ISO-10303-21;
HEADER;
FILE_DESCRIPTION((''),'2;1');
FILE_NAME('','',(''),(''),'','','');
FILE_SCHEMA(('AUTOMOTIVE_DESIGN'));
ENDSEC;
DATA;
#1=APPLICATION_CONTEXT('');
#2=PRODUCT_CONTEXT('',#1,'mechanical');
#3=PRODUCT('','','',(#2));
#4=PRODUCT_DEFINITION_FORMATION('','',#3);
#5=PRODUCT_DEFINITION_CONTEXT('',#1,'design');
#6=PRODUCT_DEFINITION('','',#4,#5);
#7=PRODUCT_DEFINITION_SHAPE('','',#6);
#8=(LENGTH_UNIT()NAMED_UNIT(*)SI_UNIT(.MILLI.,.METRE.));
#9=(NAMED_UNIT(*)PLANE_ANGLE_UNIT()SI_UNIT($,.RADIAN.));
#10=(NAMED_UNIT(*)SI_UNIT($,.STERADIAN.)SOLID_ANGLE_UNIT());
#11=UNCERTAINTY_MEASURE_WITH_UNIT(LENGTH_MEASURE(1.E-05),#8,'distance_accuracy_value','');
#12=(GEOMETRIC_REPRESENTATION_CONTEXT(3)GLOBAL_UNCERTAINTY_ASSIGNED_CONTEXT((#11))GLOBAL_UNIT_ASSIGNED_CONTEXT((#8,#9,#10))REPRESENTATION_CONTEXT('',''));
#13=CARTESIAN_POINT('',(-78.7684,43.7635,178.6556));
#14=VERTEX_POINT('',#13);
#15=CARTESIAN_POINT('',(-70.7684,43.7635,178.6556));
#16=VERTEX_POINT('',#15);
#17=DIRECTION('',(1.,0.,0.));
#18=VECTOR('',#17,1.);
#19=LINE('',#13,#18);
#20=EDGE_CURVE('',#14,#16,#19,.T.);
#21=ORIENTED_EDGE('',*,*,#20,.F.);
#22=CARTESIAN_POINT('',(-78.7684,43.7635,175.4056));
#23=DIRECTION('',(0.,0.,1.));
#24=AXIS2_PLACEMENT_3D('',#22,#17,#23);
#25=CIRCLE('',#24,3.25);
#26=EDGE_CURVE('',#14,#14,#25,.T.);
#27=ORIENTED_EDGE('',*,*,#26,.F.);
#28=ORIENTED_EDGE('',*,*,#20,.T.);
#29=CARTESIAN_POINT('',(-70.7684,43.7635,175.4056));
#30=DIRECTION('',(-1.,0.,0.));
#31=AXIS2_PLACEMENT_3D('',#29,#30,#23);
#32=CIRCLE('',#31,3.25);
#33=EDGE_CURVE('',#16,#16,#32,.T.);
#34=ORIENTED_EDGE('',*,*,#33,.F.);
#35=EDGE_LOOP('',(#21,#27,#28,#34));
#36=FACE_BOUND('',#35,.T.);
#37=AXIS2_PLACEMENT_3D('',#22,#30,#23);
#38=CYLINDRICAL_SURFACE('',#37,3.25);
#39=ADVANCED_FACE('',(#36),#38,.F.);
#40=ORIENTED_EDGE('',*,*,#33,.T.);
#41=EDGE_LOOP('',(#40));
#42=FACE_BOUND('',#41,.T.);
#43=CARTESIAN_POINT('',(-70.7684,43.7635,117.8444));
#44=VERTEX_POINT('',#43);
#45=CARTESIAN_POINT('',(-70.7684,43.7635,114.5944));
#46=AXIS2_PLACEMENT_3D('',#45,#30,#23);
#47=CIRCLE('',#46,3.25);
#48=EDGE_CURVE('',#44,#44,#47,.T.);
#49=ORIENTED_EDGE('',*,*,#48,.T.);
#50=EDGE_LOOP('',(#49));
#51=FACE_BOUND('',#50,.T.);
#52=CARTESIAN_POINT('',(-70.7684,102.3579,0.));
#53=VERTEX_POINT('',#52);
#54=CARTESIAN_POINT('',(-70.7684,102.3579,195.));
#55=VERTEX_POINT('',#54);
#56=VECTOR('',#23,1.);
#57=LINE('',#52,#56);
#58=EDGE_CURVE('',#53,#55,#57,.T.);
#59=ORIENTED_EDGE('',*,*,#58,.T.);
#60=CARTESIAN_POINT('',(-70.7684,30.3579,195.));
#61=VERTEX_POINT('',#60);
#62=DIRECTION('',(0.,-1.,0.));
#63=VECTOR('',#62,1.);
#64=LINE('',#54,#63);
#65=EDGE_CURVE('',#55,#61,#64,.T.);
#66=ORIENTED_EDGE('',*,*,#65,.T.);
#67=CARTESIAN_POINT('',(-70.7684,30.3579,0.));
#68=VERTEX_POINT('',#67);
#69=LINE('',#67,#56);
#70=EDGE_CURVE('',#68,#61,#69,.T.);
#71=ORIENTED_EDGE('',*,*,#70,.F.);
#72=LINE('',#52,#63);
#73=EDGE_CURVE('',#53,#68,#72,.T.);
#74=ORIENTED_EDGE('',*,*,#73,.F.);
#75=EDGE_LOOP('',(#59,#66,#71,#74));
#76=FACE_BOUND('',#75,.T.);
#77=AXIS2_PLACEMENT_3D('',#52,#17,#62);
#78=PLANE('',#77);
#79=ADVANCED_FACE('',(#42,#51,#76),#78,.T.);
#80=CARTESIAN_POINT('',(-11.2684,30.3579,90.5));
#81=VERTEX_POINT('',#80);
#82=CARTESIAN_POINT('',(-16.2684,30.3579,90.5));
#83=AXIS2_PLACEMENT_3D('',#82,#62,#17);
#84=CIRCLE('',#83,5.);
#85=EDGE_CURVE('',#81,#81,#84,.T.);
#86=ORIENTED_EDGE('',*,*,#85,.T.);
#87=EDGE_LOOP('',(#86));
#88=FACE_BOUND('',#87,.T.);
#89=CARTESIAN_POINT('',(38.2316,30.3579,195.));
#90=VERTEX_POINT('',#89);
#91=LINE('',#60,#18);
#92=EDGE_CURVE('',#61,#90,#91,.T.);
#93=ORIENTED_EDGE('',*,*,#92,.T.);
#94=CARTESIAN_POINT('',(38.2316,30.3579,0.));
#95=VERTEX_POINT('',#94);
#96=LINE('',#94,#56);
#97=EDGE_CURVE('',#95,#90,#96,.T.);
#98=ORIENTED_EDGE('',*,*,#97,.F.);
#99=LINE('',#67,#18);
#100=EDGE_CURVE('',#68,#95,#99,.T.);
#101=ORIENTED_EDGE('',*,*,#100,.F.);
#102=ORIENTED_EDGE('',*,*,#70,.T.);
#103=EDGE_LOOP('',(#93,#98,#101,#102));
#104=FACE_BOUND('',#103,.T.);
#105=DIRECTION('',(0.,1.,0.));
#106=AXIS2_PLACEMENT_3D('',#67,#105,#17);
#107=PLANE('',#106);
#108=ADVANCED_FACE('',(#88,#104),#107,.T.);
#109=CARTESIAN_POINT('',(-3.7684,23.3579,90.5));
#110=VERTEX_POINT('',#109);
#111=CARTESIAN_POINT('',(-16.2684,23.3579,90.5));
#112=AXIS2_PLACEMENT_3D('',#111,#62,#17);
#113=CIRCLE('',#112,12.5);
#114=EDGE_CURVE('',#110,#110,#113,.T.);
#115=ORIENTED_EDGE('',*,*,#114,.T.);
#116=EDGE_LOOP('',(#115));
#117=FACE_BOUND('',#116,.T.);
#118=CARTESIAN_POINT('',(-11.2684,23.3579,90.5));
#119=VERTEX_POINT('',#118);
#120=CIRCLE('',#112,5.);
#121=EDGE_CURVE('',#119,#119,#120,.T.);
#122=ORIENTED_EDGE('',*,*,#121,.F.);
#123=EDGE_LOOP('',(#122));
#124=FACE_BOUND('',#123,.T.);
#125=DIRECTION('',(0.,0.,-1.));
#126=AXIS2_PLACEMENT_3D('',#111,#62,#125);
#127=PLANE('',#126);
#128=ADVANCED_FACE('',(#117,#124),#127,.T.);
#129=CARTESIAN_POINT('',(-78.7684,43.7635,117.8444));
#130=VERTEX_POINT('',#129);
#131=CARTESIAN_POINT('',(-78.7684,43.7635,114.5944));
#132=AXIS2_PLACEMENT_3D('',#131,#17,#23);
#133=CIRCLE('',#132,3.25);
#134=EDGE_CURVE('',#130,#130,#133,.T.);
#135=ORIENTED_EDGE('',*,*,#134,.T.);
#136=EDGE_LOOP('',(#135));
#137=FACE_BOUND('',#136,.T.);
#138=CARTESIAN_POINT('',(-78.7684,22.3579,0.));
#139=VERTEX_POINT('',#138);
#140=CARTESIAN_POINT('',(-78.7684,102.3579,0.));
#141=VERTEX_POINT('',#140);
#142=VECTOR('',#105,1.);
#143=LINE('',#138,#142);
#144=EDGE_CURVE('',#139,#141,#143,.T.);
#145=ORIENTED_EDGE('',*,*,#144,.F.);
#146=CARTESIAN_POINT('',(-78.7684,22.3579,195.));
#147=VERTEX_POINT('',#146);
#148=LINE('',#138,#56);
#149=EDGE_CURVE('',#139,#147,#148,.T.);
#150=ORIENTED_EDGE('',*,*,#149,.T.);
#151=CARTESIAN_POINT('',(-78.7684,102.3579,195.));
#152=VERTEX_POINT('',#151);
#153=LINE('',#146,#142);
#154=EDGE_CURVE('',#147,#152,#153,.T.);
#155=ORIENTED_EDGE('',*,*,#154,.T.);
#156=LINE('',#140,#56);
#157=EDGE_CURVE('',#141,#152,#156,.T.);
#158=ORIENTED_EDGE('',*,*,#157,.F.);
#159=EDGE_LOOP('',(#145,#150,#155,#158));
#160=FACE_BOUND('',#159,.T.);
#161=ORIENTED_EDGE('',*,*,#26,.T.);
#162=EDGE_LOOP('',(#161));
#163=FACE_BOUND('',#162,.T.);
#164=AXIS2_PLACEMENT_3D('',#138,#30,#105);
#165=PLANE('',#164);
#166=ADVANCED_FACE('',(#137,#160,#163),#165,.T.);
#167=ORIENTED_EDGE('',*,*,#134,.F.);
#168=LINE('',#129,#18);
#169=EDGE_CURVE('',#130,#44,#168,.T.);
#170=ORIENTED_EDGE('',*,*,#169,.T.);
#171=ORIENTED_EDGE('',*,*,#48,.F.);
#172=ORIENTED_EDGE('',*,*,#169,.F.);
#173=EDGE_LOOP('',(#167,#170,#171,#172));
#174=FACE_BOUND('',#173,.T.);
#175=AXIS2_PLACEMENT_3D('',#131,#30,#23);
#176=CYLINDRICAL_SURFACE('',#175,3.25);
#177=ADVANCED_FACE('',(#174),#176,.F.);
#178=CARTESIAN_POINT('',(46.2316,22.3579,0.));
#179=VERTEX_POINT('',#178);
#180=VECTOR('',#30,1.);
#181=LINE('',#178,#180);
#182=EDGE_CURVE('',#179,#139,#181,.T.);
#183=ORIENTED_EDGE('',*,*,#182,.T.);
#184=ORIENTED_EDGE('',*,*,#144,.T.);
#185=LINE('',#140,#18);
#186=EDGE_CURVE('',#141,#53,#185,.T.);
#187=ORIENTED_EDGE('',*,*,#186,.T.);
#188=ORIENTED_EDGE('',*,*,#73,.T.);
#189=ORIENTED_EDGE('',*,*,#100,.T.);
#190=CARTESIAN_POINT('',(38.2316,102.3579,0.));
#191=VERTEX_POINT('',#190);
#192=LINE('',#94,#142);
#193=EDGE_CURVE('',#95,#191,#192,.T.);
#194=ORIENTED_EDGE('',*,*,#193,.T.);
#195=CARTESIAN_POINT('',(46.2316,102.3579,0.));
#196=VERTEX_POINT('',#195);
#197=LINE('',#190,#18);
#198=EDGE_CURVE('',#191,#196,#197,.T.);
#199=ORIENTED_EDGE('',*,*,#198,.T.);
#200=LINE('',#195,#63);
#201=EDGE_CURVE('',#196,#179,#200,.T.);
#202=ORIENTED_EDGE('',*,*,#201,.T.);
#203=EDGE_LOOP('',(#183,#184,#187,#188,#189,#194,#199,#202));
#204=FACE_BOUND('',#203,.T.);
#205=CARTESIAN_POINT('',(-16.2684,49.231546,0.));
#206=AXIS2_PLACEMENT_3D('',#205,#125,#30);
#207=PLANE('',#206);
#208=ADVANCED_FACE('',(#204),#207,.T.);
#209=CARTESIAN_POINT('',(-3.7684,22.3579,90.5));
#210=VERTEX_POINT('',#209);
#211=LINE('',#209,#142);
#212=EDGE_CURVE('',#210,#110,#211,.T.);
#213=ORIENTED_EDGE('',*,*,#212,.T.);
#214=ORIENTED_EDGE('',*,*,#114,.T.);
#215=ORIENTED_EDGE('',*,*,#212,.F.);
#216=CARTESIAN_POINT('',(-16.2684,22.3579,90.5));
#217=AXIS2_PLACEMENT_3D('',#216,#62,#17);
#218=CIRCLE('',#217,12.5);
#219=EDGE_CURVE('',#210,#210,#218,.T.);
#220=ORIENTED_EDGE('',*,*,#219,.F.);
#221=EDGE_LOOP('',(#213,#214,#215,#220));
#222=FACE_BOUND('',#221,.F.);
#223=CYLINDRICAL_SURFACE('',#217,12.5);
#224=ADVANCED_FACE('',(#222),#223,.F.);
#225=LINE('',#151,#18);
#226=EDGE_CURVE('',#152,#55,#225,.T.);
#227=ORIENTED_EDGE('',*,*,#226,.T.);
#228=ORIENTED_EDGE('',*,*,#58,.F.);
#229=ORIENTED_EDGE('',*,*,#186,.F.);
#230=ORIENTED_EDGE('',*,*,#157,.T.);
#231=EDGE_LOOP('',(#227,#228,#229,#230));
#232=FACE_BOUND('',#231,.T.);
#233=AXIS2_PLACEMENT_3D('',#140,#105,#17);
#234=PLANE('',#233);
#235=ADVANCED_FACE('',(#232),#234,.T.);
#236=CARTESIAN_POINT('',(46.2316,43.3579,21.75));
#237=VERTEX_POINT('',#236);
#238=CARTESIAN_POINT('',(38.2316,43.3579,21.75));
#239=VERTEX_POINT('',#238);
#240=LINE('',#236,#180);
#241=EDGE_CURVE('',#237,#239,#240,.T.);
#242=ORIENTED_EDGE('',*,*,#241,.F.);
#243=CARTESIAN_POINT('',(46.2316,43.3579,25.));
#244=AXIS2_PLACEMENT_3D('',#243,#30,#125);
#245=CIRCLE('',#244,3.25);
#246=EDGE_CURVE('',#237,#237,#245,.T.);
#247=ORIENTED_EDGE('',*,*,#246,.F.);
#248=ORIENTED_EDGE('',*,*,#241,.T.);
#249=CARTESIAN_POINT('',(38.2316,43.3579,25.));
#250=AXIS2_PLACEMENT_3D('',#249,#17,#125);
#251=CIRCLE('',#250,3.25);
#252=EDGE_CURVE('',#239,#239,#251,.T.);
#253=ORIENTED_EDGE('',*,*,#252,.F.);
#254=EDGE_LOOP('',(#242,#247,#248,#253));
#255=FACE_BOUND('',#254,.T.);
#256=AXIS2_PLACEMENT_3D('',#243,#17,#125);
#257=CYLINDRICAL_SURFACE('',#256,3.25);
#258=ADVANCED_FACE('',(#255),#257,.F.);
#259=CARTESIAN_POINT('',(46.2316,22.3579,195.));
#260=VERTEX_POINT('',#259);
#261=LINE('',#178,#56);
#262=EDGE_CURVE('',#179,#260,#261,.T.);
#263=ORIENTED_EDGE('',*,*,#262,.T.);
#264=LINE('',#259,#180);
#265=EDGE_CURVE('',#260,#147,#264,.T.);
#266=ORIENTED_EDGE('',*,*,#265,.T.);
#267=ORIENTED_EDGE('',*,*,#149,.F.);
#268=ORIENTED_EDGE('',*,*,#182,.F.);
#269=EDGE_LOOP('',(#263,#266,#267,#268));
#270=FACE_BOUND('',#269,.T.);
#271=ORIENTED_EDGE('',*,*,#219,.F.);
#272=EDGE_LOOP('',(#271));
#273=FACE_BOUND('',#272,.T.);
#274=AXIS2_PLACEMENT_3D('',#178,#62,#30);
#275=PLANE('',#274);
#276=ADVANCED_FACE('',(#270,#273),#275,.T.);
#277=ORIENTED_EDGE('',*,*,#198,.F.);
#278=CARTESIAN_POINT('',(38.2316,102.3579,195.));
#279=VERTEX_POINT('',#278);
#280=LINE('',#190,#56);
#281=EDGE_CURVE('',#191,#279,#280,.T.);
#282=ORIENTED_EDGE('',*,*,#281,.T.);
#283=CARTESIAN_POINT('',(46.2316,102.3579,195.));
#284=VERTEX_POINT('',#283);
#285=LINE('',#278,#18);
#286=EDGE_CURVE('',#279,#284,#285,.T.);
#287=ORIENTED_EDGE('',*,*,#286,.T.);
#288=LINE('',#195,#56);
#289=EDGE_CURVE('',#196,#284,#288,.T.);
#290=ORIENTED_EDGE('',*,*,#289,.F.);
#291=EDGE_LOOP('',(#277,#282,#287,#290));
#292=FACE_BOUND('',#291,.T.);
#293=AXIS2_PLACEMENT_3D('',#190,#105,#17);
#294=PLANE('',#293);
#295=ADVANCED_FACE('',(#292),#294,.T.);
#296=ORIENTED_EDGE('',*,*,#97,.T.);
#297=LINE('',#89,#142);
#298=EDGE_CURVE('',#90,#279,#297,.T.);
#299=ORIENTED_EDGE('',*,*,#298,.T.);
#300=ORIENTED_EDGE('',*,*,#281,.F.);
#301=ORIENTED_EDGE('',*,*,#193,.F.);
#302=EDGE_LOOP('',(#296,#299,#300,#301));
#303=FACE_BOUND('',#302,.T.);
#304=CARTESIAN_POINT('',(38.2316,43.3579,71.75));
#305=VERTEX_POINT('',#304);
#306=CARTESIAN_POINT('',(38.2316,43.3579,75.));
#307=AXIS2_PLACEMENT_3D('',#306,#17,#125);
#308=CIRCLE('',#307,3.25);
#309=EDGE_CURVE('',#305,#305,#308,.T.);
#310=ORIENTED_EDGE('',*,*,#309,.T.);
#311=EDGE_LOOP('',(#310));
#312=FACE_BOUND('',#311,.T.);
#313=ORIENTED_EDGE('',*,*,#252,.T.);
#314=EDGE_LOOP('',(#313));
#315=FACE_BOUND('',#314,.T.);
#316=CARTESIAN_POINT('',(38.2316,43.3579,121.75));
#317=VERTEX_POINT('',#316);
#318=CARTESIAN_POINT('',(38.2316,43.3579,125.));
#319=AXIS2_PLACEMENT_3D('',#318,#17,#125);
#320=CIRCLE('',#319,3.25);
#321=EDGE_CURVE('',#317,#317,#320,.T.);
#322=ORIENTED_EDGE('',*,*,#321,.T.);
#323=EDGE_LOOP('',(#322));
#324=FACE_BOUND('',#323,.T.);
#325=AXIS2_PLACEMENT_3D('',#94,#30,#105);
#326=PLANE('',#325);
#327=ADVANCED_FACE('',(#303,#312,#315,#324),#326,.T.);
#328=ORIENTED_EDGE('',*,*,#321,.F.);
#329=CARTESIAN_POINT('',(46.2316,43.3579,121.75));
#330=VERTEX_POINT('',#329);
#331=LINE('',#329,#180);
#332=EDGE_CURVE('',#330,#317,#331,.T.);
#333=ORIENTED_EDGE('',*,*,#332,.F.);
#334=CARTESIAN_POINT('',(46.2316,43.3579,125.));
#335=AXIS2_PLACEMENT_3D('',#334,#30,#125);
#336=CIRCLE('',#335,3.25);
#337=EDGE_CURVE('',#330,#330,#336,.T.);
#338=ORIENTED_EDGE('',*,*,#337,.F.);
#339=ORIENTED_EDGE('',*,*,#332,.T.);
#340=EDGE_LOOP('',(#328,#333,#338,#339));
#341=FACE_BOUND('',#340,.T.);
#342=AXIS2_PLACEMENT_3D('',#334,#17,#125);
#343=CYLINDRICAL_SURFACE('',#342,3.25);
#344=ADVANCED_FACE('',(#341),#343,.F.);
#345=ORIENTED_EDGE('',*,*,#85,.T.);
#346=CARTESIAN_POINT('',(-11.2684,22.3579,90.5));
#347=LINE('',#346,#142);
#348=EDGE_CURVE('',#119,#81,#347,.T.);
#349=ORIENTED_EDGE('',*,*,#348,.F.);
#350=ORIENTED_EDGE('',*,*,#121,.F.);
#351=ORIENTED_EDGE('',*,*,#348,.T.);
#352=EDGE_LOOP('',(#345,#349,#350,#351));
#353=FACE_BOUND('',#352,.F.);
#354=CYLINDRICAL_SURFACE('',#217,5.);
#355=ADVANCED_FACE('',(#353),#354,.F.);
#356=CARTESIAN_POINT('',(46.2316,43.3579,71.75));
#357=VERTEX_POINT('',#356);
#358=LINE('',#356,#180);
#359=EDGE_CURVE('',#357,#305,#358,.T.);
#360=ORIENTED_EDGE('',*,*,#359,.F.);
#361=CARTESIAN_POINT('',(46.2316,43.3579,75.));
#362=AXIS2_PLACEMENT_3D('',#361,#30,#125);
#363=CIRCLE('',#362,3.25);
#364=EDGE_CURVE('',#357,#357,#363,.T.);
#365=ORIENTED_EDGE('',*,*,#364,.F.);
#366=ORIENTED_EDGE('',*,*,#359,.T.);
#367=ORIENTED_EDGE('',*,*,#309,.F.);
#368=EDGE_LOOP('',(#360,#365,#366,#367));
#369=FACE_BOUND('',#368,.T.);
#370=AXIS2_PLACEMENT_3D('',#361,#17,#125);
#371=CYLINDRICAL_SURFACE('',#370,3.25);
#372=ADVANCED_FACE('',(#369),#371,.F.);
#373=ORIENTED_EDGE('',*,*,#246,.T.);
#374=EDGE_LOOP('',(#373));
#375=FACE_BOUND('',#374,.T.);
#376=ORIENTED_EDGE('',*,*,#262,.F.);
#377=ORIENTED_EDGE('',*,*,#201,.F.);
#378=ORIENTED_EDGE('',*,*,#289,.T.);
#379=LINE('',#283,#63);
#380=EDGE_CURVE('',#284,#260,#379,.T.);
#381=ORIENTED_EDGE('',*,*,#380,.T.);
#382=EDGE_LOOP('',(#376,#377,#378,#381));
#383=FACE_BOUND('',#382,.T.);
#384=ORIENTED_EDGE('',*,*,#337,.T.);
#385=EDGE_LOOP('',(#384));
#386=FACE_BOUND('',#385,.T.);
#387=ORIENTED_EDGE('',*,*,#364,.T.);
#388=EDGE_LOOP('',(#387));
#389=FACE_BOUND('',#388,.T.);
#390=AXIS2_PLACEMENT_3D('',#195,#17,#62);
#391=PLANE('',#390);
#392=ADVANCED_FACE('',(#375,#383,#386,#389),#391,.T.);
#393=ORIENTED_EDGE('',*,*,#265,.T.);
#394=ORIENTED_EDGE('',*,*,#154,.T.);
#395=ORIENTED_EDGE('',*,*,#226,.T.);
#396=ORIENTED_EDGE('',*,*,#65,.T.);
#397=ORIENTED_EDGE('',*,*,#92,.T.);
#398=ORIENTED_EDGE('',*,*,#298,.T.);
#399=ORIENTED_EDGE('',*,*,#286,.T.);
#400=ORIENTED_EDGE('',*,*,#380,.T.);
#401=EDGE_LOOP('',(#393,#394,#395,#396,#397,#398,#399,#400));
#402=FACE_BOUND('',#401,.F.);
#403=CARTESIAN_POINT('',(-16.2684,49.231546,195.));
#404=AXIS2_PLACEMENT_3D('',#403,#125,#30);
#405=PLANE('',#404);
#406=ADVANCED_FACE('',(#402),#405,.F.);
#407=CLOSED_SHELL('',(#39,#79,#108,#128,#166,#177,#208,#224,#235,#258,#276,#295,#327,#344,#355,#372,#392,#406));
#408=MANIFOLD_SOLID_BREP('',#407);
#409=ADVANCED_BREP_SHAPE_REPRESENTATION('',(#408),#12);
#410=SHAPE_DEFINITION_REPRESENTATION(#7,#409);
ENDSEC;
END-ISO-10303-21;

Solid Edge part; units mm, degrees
sketch "Sketch1" plane through (0, 0, 0) normal (0, 0, 1) x (1, 0, 0)
  line L0 (-78.7684, 102.3579) -> (-70.7684, 102.3579)
  line L1 (-70.7684, 102.3579) -> (-70.7684, 30.3579)
  line L2 (-70.7684, 30.3579) -> (38.2316, 30.3579)
  line L3 (38.2316, 30.3579) -> (38.2316, 102.3579)
  line L4 (38.2316, 102.3579) -> (46.2316, 102.3579)
  line L5 (46.2316, 102.3579) -> (46.2316, 22.3579)
  line L6 (46.2316, 22.3579) -> (-78.7684, 22.3579)
  line L7 (-78.7684, 22.3579) -> (-78.7684, 102.3579)
  dimension "D1" = 8
  dimension "D2" = 8
  dimension "D3" = 125
  dimension "D4" = 8
  dimension "D5" = 80
extrude "Protrusion1" add sketch "Sketch1" along normal blind 195
hole "Hole_1" at (46.2316, 43.3579, 75) direction (-1, 0, 0) diameter 6.5 end up to next
hole "Hole1" at (46.2316, 43.3579, 25) direction (-1, 0, 0) diameter 6.5 end up to next
hole "Hole2" at (46.2316, 43.3579, 125) direction (-1, 0, 0) diameter 6.5 end up to next
sketch "Sketch2" plane through (-16.2684, 22.3579, 75) normal (0, -1, 0) x (1, 0, 0)
  circle A0 centre (0, 15.5) radius 5
  dimension "D1" = 10
  dimension "D2" = 125
  dimension "D3" = 62.5
  dimension "D4" = 65.5
extrude "Cutout1" cut sketch "Sketch2" against normal through all
sketch "Sketch3" plane through (-16.2684, 22.3579, 75) normal (0, -1, 0) x (1, 0, 0)
  circle A0 centre (0, 15.5) radius 12.5
  dimension "D1" = 25
extrude "ExtrudedCutout_2" cut sketch "Sketch3" against normal blind 1
hole "Hole_6" at (-78.7684, 43.7635, 114.5944) direction (1, 0, 0) diameter 6.5 end up to next
hole "Hole3" at (-78.7684, 43.7635, 175.4056) direction (1, 0, 0) diameter 6.5 end up to next
properties material "Aluminum, 6061-T6"
